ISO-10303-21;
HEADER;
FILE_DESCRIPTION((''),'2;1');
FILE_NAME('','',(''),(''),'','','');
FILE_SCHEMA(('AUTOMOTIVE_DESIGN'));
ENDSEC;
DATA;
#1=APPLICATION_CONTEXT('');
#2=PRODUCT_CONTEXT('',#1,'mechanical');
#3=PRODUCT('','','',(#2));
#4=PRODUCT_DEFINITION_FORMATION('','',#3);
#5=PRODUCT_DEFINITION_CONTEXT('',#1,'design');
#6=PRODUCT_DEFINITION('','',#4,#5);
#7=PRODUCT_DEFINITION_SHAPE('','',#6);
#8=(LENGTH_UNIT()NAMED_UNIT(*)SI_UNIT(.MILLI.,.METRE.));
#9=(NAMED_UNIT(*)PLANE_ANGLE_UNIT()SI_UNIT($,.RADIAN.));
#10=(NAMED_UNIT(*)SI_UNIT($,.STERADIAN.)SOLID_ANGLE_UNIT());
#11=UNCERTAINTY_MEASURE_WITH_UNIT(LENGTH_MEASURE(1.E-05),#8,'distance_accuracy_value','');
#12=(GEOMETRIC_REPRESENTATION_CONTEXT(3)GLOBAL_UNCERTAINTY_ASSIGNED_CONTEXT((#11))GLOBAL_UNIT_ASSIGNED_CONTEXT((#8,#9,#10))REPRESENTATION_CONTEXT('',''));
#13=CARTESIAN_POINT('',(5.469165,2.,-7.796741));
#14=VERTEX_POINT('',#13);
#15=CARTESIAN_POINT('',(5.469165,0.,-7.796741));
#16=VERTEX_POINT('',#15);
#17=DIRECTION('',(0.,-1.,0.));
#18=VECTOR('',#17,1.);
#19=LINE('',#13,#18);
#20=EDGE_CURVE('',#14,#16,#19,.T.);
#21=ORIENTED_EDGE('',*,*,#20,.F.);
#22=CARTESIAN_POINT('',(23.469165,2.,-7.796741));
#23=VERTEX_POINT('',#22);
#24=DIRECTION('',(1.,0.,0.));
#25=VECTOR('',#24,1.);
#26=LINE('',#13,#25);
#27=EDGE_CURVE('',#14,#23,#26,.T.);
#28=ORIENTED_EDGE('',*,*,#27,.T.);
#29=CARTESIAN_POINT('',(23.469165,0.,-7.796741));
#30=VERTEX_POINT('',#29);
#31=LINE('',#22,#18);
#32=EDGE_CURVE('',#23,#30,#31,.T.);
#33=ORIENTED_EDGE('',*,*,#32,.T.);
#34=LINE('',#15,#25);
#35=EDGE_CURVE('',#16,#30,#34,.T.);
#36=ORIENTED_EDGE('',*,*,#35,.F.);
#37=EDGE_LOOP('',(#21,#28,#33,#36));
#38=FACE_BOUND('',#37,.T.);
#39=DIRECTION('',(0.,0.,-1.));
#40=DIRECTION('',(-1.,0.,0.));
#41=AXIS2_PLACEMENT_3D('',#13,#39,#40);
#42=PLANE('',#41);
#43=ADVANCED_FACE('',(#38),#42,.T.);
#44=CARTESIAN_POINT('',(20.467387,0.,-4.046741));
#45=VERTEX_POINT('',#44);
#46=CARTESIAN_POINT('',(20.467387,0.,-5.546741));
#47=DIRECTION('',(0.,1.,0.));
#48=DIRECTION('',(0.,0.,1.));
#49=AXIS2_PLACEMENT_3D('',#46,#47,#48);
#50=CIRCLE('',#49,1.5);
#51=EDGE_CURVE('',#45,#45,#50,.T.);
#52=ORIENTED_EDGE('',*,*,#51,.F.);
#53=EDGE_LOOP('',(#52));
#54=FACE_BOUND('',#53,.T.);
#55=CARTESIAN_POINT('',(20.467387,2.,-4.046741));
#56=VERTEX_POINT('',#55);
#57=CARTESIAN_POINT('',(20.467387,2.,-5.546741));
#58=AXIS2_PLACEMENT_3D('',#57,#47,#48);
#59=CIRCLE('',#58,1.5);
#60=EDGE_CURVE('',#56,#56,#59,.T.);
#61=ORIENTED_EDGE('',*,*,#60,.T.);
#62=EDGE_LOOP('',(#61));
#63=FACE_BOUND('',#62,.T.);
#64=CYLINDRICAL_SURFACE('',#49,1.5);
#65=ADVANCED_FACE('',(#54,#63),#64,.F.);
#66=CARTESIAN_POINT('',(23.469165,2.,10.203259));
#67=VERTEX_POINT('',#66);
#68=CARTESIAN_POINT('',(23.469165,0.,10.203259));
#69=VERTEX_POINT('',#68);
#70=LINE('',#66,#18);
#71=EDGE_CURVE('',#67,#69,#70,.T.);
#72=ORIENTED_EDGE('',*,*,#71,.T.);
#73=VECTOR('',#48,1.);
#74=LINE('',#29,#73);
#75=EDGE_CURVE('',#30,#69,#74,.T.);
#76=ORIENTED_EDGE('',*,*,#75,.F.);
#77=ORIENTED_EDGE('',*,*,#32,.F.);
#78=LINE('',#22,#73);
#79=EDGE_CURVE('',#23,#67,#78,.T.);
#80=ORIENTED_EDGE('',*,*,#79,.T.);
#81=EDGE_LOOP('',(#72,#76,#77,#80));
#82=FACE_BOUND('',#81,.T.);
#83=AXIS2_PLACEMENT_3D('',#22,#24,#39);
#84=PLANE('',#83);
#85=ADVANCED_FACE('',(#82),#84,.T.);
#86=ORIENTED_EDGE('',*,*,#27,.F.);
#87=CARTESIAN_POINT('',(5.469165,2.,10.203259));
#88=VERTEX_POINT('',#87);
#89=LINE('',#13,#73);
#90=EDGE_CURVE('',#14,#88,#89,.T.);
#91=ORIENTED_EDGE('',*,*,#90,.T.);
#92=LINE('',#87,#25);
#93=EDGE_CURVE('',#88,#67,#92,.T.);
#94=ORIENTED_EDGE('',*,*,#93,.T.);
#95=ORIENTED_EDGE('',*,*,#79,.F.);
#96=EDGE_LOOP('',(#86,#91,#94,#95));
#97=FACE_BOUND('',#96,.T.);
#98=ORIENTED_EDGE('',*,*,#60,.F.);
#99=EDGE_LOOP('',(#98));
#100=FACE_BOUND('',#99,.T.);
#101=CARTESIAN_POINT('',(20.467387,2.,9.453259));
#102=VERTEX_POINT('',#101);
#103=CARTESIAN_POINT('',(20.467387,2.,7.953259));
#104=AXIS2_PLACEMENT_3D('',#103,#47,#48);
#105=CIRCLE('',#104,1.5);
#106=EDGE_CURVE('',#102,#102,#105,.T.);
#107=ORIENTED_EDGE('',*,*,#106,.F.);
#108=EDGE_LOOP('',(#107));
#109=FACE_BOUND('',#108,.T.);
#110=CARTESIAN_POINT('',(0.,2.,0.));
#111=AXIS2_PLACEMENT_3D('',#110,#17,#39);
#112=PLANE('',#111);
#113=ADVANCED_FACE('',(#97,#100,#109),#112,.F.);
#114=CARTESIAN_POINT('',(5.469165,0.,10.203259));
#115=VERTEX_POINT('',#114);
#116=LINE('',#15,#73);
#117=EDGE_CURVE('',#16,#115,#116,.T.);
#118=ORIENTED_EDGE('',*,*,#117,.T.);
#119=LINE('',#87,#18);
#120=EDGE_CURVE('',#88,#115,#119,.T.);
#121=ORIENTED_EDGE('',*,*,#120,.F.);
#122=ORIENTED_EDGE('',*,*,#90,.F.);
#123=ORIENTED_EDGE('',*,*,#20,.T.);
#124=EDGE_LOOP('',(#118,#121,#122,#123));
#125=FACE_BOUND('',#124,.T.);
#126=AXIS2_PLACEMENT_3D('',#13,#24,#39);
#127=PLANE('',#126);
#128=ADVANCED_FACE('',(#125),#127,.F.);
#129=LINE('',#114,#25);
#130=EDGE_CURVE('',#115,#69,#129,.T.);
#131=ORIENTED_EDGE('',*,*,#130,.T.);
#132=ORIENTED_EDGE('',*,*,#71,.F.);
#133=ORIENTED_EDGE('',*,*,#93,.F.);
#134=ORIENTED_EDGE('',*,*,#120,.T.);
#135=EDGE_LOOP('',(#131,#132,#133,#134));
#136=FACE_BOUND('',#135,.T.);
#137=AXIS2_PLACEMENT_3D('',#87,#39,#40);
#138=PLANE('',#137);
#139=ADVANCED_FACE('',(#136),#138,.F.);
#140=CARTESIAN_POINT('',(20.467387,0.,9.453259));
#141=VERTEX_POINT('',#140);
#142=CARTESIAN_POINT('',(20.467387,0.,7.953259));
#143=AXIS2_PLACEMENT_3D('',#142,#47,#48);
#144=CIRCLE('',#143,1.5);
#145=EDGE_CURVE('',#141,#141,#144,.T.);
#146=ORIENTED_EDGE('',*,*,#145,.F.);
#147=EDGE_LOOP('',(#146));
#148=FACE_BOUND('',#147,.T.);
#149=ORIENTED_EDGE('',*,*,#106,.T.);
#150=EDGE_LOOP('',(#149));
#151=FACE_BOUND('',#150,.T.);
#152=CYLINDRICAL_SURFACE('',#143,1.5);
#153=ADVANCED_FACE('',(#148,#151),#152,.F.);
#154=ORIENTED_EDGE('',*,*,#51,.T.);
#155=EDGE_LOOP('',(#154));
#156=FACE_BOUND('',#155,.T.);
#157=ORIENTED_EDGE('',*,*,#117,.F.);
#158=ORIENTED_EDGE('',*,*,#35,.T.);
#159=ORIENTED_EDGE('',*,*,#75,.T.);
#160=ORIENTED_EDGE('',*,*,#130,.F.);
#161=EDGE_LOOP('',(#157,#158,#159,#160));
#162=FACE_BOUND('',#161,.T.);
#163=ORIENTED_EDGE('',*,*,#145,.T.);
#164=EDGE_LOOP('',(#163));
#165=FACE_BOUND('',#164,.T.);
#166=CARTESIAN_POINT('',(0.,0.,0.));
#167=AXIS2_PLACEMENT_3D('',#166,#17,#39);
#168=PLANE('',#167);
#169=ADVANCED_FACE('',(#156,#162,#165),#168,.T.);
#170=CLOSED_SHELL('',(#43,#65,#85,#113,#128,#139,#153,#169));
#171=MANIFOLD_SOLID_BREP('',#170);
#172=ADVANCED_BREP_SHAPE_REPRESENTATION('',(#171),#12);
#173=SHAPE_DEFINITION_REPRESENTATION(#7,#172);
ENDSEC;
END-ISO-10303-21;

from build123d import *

# Parameters (mm, degrees)
SKETCH1_W           = 18
SKETCH1_H           = 18
BOSS_EXTRUDE1_DEPTH = 2
SKETCH2_R           = 1.5
CUT_EXTRUDE1_DEPTH  = 26.66920678


with BuildPart() as part:
    # Sketch1 → Boss-Extrude1 (new body)
    with BuildSketch(Plane(origin=(0, 0, 0), x_dir=(1, 0, 0), z_dir=(0, 1, 0))):
        with Locations((14.469164691, -1.203258568)):
            Rectangle(SKETCH1_W, SKETCH1_H)
    extrude(amount=BOSS_EXTRUDE1_DEPTH)

    # Sketch2 → Cut-Extrude1 (cut, through all)
    with BuildSketch(Plane(origin=(0, 2, 0), x_dir=(1, 0, 0), z_dir=(0, 1, 0))):
        with Locations(Location((20.46738691, 5.546741432, 0), (0, 0, 270))):
            Circle(SKETCH2_R)
        with Locations(Location((20.46738691, -7.953258568, 0), (0, 0, 270))):
            Circle(SKETCH2_R)
    extrude(amount=-CUT_EXTRUDE1_DEPTH, mode=Mode.SUBTRACT)


solid = part.part
